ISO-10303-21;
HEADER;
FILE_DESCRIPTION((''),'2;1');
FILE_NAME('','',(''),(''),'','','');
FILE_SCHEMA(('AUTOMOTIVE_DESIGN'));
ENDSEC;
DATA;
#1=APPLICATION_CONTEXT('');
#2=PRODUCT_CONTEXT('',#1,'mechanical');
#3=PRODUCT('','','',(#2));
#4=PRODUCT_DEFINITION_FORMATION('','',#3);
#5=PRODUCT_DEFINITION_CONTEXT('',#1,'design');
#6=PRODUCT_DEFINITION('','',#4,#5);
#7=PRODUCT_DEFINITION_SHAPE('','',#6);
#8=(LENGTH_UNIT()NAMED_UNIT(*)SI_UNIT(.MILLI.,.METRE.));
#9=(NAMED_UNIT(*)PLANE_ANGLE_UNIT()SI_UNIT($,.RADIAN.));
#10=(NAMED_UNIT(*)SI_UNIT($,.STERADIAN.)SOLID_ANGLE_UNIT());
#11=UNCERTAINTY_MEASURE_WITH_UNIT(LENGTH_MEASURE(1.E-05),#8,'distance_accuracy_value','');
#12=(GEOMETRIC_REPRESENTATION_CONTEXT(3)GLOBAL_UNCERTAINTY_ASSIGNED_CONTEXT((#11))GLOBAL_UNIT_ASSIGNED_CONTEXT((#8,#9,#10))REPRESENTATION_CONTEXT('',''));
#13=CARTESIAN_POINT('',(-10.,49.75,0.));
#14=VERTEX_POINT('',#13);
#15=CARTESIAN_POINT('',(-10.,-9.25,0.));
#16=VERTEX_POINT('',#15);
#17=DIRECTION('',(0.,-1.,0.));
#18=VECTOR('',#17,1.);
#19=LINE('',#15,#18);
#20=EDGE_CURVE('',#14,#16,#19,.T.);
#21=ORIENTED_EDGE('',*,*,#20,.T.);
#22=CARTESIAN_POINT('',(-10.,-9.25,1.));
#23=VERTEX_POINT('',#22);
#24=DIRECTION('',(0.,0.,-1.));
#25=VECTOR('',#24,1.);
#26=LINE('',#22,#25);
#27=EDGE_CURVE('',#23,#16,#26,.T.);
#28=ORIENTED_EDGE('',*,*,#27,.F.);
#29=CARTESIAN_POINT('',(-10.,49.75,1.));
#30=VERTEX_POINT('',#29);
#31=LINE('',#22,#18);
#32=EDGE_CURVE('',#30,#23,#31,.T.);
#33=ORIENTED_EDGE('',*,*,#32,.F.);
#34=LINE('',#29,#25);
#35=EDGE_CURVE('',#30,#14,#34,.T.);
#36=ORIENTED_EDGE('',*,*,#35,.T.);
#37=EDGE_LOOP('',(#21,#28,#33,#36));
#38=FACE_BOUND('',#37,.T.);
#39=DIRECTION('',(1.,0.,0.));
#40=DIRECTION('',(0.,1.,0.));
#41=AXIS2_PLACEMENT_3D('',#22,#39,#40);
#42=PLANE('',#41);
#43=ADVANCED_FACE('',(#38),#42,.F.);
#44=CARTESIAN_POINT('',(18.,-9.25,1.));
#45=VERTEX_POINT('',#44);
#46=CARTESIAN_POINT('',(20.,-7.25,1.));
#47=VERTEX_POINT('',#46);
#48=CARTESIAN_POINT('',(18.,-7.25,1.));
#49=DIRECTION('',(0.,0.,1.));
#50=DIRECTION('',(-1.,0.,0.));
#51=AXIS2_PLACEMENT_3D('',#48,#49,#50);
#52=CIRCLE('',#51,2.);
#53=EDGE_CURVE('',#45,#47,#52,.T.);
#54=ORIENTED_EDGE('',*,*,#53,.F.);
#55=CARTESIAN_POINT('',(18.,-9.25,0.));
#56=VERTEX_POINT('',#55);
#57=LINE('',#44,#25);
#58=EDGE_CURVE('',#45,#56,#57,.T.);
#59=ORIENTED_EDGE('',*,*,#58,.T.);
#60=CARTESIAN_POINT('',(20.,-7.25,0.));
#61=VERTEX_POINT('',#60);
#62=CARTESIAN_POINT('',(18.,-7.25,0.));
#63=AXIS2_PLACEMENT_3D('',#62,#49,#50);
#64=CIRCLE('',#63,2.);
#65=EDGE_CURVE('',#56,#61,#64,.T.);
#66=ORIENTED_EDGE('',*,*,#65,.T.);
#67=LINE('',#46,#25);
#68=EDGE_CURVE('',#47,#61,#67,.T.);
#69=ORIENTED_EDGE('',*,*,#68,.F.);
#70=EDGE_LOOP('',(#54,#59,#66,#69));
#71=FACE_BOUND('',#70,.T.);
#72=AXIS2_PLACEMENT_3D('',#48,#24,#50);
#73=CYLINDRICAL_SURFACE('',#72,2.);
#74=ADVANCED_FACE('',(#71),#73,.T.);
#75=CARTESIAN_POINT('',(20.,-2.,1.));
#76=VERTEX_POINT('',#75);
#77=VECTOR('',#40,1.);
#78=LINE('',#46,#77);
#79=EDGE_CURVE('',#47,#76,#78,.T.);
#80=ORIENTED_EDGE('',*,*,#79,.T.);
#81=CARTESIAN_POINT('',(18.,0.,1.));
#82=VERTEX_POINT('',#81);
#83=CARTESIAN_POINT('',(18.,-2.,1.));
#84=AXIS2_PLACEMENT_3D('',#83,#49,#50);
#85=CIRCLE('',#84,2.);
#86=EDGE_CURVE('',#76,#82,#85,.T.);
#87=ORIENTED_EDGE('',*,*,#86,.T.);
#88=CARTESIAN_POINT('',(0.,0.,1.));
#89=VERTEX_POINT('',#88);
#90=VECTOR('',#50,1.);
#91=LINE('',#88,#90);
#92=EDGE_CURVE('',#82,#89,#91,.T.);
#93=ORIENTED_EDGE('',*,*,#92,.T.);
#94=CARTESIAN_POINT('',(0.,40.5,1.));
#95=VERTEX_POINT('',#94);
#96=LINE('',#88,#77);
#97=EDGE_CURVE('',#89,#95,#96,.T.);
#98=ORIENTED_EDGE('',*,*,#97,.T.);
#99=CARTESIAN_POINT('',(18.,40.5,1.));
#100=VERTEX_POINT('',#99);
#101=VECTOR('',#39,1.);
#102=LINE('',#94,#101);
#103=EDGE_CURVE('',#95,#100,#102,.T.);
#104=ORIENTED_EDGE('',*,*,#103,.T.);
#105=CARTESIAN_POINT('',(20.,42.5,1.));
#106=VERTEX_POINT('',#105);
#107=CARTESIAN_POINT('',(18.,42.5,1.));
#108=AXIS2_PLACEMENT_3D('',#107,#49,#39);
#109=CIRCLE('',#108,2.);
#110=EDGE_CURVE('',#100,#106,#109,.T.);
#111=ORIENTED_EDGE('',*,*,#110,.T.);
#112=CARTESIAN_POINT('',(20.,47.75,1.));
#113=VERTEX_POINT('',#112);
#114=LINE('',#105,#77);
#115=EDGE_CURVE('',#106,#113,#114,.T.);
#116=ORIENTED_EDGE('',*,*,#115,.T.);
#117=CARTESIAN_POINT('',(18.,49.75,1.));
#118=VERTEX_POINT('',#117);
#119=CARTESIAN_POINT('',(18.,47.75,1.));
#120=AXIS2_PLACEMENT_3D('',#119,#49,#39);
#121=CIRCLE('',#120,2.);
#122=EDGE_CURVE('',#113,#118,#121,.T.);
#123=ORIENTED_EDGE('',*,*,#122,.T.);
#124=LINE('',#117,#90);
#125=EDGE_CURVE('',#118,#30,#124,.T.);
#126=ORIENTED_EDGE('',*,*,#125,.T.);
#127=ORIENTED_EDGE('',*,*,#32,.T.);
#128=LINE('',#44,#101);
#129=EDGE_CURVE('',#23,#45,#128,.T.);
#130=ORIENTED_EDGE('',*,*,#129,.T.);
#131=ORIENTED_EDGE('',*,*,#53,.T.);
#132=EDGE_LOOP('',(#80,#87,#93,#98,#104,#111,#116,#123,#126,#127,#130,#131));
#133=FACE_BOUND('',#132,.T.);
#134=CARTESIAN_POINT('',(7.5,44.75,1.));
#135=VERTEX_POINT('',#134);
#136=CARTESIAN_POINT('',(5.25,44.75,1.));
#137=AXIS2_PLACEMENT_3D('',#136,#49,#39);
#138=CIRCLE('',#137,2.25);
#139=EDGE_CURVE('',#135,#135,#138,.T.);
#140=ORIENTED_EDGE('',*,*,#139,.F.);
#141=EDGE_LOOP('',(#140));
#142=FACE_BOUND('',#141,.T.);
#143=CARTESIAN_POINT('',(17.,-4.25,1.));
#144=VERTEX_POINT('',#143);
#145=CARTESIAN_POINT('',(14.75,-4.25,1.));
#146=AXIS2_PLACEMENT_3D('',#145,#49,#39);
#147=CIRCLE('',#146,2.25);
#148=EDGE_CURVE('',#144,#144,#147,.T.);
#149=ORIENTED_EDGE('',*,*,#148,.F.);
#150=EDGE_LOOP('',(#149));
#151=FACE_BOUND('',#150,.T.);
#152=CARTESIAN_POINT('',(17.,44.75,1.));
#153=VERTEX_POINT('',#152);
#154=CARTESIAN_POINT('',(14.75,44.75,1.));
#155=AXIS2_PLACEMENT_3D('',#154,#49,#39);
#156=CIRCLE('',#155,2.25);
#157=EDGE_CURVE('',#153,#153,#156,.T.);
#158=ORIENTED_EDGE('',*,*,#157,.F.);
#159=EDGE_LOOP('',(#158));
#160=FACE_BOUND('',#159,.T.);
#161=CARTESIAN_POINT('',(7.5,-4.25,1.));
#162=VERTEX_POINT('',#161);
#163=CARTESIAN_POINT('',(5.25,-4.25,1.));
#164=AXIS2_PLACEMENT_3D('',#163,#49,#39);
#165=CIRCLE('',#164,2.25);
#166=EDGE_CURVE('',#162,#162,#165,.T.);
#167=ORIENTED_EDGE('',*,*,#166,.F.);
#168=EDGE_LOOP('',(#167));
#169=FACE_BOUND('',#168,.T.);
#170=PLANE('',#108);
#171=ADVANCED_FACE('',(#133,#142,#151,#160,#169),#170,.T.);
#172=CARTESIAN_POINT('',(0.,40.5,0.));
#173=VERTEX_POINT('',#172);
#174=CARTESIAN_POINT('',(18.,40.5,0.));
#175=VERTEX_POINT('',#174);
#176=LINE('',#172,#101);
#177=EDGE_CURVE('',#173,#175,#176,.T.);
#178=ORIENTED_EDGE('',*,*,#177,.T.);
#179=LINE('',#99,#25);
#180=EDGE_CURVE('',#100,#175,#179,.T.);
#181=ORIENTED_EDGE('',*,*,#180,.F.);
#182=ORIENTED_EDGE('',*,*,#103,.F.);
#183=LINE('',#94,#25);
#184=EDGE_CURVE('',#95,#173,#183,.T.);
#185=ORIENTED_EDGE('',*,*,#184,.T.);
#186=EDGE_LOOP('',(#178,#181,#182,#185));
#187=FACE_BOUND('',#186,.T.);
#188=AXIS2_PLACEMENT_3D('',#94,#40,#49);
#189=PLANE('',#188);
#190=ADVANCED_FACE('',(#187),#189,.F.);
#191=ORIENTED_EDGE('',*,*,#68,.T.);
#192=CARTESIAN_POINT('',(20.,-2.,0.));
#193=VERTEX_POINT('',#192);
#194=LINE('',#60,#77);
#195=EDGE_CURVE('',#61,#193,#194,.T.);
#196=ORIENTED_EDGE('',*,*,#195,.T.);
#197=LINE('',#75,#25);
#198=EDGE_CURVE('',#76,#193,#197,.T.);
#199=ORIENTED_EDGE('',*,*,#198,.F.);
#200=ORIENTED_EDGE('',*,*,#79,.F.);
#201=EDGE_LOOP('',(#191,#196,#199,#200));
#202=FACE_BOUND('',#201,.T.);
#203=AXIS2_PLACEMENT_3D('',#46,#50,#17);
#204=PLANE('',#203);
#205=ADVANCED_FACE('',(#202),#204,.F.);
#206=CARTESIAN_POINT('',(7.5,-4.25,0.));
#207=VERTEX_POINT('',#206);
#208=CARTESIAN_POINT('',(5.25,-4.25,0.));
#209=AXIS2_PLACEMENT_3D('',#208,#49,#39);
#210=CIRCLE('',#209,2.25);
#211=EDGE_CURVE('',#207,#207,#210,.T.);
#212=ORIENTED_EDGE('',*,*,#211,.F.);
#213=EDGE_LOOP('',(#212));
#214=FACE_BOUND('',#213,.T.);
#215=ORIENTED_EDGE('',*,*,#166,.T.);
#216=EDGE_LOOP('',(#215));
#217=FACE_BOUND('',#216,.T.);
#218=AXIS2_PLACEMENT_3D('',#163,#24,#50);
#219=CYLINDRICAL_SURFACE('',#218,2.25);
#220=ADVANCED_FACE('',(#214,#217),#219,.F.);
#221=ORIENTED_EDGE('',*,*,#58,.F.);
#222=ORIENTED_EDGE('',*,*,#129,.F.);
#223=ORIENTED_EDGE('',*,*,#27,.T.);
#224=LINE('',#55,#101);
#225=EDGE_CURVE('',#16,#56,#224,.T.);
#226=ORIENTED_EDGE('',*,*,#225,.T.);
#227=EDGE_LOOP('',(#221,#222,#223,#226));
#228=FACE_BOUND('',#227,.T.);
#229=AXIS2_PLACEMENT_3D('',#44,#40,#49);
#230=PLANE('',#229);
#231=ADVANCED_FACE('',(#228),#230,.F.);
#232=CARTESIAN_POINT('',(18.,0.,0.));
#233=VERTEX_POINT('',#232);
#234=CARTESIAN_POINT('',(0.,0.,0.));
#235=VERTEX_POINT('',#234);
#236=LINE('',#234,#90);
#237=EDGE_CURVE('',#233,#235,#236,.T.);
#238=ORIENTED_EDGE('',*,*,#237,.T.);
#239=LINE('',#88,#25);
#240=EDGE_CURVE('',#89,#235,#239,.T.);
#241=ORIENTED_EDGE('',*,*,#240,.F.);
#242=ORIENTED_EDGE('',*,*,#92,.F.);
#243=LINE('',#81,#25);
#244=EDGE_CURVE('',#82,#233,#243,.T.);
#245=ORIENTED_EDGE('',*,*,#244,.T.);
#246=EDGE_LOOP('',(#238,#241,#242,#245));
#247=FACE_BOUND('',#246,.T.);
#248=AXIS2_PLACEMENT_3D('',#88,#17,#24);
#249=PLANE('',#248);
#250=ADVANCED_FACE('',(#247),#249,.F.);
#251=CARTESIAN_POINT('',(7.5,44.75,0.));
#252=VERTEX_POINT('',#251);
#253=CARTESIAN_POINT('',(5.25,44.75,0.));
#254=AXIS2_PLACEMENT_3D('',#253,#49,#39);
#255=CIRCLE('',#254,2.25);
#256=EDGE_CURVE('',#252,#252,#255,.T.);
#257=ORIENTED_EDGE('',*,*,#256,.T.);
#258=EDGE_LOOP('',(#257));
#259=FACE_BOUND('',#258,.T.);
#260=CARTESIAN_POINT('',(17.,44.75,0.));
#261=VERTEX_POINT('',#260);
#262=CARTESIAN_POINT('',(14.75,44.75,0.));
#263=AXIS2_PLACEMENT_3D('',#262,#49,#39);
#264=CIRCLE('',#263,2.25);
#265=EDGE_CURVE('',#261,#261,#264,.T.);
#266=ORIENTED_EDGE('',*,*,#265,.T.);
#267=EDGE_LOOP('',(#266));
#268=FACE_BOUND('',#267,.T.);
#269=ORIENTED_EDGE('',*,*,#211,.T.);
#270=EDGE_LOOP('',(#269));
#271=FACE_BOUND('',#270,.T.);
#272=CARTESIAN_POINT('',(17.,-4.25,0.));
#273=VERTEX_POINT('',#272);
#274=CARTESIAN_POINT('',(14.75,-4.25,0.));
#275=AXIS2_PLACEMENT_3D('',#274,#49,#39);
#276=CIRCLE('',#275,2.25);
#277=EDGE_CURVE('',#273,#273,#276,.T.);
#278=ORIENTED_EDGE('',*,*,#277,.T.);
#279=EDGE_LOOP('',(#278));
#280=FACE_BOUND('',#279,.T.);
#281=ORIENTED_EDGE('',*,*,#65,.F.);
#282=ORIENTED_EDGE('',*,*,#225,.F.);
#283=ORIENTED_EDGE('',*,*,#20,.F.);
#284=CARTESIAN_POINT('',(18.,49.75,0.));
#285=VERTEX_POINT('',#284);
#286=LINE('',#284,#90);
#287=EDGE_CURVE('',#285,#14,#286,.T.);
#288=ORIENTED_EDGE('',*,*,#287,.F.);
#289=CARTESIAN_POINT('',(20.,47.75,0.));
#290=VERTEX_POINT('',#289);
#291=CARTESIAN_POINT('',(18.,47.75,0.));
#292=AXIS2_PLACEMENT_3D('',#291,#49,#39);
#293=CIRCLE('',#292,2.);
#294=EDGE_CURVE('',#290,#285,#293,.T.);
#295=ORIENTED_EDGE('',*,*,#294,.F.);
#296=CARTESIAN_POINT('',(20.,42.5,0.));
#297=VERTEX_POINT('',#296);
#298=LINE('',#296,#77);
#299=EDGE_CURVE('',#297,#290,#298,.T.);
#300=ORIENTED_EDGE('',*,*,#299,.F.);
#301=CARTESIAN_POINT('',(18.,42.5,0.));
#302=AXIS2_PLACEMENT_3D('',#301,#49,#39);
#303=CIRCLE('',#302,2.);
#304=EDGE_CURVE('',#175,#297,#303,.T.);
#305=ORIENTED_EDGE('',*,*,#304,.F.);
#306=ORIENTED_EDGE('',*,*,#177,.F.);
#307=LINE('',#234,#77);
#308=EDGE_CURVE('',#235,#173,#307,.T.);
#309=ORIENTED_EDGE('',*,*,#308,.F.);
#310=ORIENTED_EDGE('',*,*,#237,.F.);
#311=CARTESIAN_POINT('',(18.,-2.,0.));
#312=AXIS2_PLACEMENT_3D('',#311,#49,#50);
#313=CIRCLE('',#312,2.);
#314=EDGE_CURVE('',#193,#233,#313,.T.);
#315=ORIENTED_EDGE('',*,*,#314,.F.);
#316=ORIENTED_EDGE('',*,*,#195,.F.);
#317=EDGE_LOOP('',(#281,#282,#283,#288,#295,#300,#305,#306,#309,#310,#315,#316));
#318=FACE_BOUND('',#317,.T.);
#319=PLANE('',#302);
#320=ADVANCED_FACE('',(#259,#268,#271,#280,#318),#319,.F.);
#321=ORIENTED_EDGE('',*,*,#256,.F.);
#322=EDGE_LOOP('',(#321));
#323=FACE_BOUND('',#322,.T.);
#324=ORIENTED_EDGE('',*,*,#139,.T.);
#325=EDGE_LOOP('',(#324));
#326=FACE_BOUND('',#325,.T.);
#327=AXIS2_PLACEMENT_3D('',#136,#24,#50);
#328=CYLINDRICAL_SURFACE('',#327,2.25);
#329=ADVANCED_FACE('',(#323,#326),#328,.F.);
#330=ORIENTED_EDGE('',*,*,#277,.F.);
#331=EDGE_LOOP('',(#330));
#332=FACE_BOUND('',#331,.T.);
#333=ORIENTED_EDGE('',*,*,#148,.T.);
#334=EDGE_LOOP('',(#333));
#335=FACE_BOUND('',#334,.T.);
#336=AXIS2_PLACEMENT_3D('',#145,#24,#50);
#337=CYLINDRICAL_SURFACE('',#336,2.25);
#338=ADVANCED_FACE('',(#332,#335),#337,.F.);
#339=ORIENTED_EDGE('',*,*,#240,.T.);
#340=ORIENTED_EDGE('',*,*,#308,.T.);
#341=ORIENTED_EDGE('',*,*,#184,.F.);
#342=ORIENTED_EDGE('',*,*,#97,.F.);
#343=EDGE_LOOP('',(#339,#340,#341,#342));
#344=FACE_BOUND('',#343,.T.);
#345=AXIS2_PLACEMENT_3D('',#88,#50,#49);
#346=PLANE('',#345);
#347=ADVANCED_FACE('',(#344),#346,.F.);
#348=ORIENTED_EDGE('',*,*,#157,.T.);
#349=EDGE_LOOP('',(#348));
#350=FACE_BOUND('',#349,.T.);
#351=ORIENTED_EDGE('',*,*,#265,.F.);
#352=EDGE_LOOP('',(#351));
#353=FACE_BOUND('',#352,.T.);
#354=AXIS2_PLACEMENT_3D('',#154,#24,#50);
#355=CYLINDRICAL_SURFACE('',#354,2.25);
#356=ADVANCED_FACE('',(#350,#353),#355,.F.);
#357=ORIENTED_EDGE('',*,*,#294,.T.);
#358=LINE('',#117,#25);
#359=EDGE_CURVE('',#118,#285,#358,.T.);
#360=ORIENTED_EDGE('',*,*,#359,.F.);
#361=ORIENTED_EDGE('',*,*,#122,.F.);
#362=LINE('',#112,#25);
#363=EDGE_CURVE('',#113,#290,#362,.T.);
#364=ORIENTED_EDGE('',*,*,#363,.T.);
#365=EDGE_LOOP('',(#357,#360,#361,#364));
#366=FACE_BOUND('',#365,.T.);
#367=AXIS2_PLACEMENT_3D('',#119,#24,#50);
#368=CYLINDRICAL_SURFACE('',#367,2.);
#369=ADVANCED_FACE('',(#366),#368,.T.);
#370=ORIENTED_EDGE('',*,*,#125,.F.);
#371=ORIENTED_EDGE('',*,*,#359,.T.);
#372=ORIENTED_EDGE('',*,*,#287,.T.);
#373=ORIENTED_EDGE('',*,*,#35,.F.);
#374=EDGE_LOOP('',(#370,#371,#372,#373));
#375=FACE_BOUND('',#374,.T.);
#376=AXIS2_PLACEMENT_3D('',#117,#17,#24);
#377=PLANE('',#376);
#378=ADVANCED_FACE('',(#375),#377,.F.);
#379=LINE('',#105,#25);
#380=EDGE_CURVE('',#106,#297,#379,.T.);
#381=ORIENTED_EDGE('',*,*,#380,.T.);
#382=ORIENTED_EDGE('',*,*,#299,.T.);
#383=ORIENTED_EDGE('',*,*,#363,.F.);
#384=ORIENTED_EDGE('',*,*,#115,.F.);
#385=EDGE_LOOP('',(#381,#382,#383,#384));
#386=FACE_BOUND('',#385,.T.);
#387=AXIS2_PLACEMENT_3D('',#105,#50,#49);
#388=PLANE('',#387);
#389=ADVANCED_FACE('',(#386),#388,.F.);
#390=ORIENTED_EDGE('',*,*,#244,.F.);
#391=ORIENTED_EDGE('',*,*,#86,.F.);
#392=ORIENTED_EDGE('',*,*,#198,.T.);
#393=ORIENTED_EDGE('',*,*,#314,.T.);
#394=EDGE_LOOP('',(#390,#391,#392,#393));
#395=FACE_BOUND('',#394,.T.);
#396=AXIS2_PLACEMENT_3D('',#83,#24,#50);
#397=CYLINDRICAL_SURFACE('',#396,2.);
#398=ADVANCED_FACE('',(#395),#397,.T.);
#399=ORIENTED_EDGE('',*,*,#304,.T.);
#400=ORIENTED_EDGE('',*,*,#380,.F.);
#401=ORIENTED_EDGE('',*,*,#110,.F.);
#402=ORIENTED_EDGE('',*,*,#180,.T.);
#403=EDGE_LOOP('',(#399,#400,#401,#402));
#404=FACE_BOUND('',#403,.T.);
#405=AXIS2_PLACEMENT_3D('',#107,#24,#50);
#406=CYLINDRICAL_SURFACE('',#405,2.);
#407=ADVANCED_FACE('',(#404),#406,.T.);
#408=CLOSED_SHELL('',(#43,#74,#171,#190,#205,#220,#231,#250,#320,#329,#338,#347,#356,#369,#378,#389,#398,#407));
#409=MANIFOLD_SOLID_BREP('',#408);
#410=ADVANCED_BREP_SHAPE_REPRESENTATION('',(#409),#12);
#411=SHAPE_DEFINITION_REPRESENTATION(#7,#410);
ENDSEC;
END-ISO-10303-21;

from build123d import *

# Parameters (mm, degrees)
SKETCH1_R           = 2.25
BOSS_EXTRUDE1_DEPTH = 1


with BuildPart() as part:
    # Sketch1 → Boss-Extrude1 (new body)
    with BuildSketch(Plane.XY):
        with BuildLine():
            Line((20, 42.5), (20, 47.75))
            ThreePointArc((20, 47.75), (19.414213562, 49.164213562), (18, 49.75))
            Line((18, 49.75), (-10, 49.75))
            Line((-10, 49.75), (-10, -9.25))
            Line((-10, -9.25), (18, -9.25))
            ThreePointArc((18, -9.25), (19.414213562, -8.664213562), (20, -7.25))
            Line((20, -7.25), (20, -2))
            ThreePointArc((20, -2), (19.414213562, -0.585786438), (18, 0))
            Line((18, 0), (0, 0))
            Line((0, 0), (0, 40.5))
            Line((0, 40.5), (18, 40.5))
            ThreePointArc((18, 40.5), (19.414213562, 41.085786438), (20, 42.5))
        make_face()
        with Locations((5.25, 44.75)):
            Circle(SKETCH1_R, mode=Mode.SUBTRACT)
        with Locations((14.75, 44.75)):
            Circle(SKETCH1_R, mode=Mode.SUBTRACT)
        with Locations((14.75, -4.25)):
            Circle(SKETCH1_R, mode=Mode.SUBTRACT)
        with Locations((5.25, -4.25)):
            Circle(SKETCH1_R, mode=Mode.SUBTRACT)
    extrude(amount=BOSS_EXTRUDE1_DEPTH)


solid = part.part
